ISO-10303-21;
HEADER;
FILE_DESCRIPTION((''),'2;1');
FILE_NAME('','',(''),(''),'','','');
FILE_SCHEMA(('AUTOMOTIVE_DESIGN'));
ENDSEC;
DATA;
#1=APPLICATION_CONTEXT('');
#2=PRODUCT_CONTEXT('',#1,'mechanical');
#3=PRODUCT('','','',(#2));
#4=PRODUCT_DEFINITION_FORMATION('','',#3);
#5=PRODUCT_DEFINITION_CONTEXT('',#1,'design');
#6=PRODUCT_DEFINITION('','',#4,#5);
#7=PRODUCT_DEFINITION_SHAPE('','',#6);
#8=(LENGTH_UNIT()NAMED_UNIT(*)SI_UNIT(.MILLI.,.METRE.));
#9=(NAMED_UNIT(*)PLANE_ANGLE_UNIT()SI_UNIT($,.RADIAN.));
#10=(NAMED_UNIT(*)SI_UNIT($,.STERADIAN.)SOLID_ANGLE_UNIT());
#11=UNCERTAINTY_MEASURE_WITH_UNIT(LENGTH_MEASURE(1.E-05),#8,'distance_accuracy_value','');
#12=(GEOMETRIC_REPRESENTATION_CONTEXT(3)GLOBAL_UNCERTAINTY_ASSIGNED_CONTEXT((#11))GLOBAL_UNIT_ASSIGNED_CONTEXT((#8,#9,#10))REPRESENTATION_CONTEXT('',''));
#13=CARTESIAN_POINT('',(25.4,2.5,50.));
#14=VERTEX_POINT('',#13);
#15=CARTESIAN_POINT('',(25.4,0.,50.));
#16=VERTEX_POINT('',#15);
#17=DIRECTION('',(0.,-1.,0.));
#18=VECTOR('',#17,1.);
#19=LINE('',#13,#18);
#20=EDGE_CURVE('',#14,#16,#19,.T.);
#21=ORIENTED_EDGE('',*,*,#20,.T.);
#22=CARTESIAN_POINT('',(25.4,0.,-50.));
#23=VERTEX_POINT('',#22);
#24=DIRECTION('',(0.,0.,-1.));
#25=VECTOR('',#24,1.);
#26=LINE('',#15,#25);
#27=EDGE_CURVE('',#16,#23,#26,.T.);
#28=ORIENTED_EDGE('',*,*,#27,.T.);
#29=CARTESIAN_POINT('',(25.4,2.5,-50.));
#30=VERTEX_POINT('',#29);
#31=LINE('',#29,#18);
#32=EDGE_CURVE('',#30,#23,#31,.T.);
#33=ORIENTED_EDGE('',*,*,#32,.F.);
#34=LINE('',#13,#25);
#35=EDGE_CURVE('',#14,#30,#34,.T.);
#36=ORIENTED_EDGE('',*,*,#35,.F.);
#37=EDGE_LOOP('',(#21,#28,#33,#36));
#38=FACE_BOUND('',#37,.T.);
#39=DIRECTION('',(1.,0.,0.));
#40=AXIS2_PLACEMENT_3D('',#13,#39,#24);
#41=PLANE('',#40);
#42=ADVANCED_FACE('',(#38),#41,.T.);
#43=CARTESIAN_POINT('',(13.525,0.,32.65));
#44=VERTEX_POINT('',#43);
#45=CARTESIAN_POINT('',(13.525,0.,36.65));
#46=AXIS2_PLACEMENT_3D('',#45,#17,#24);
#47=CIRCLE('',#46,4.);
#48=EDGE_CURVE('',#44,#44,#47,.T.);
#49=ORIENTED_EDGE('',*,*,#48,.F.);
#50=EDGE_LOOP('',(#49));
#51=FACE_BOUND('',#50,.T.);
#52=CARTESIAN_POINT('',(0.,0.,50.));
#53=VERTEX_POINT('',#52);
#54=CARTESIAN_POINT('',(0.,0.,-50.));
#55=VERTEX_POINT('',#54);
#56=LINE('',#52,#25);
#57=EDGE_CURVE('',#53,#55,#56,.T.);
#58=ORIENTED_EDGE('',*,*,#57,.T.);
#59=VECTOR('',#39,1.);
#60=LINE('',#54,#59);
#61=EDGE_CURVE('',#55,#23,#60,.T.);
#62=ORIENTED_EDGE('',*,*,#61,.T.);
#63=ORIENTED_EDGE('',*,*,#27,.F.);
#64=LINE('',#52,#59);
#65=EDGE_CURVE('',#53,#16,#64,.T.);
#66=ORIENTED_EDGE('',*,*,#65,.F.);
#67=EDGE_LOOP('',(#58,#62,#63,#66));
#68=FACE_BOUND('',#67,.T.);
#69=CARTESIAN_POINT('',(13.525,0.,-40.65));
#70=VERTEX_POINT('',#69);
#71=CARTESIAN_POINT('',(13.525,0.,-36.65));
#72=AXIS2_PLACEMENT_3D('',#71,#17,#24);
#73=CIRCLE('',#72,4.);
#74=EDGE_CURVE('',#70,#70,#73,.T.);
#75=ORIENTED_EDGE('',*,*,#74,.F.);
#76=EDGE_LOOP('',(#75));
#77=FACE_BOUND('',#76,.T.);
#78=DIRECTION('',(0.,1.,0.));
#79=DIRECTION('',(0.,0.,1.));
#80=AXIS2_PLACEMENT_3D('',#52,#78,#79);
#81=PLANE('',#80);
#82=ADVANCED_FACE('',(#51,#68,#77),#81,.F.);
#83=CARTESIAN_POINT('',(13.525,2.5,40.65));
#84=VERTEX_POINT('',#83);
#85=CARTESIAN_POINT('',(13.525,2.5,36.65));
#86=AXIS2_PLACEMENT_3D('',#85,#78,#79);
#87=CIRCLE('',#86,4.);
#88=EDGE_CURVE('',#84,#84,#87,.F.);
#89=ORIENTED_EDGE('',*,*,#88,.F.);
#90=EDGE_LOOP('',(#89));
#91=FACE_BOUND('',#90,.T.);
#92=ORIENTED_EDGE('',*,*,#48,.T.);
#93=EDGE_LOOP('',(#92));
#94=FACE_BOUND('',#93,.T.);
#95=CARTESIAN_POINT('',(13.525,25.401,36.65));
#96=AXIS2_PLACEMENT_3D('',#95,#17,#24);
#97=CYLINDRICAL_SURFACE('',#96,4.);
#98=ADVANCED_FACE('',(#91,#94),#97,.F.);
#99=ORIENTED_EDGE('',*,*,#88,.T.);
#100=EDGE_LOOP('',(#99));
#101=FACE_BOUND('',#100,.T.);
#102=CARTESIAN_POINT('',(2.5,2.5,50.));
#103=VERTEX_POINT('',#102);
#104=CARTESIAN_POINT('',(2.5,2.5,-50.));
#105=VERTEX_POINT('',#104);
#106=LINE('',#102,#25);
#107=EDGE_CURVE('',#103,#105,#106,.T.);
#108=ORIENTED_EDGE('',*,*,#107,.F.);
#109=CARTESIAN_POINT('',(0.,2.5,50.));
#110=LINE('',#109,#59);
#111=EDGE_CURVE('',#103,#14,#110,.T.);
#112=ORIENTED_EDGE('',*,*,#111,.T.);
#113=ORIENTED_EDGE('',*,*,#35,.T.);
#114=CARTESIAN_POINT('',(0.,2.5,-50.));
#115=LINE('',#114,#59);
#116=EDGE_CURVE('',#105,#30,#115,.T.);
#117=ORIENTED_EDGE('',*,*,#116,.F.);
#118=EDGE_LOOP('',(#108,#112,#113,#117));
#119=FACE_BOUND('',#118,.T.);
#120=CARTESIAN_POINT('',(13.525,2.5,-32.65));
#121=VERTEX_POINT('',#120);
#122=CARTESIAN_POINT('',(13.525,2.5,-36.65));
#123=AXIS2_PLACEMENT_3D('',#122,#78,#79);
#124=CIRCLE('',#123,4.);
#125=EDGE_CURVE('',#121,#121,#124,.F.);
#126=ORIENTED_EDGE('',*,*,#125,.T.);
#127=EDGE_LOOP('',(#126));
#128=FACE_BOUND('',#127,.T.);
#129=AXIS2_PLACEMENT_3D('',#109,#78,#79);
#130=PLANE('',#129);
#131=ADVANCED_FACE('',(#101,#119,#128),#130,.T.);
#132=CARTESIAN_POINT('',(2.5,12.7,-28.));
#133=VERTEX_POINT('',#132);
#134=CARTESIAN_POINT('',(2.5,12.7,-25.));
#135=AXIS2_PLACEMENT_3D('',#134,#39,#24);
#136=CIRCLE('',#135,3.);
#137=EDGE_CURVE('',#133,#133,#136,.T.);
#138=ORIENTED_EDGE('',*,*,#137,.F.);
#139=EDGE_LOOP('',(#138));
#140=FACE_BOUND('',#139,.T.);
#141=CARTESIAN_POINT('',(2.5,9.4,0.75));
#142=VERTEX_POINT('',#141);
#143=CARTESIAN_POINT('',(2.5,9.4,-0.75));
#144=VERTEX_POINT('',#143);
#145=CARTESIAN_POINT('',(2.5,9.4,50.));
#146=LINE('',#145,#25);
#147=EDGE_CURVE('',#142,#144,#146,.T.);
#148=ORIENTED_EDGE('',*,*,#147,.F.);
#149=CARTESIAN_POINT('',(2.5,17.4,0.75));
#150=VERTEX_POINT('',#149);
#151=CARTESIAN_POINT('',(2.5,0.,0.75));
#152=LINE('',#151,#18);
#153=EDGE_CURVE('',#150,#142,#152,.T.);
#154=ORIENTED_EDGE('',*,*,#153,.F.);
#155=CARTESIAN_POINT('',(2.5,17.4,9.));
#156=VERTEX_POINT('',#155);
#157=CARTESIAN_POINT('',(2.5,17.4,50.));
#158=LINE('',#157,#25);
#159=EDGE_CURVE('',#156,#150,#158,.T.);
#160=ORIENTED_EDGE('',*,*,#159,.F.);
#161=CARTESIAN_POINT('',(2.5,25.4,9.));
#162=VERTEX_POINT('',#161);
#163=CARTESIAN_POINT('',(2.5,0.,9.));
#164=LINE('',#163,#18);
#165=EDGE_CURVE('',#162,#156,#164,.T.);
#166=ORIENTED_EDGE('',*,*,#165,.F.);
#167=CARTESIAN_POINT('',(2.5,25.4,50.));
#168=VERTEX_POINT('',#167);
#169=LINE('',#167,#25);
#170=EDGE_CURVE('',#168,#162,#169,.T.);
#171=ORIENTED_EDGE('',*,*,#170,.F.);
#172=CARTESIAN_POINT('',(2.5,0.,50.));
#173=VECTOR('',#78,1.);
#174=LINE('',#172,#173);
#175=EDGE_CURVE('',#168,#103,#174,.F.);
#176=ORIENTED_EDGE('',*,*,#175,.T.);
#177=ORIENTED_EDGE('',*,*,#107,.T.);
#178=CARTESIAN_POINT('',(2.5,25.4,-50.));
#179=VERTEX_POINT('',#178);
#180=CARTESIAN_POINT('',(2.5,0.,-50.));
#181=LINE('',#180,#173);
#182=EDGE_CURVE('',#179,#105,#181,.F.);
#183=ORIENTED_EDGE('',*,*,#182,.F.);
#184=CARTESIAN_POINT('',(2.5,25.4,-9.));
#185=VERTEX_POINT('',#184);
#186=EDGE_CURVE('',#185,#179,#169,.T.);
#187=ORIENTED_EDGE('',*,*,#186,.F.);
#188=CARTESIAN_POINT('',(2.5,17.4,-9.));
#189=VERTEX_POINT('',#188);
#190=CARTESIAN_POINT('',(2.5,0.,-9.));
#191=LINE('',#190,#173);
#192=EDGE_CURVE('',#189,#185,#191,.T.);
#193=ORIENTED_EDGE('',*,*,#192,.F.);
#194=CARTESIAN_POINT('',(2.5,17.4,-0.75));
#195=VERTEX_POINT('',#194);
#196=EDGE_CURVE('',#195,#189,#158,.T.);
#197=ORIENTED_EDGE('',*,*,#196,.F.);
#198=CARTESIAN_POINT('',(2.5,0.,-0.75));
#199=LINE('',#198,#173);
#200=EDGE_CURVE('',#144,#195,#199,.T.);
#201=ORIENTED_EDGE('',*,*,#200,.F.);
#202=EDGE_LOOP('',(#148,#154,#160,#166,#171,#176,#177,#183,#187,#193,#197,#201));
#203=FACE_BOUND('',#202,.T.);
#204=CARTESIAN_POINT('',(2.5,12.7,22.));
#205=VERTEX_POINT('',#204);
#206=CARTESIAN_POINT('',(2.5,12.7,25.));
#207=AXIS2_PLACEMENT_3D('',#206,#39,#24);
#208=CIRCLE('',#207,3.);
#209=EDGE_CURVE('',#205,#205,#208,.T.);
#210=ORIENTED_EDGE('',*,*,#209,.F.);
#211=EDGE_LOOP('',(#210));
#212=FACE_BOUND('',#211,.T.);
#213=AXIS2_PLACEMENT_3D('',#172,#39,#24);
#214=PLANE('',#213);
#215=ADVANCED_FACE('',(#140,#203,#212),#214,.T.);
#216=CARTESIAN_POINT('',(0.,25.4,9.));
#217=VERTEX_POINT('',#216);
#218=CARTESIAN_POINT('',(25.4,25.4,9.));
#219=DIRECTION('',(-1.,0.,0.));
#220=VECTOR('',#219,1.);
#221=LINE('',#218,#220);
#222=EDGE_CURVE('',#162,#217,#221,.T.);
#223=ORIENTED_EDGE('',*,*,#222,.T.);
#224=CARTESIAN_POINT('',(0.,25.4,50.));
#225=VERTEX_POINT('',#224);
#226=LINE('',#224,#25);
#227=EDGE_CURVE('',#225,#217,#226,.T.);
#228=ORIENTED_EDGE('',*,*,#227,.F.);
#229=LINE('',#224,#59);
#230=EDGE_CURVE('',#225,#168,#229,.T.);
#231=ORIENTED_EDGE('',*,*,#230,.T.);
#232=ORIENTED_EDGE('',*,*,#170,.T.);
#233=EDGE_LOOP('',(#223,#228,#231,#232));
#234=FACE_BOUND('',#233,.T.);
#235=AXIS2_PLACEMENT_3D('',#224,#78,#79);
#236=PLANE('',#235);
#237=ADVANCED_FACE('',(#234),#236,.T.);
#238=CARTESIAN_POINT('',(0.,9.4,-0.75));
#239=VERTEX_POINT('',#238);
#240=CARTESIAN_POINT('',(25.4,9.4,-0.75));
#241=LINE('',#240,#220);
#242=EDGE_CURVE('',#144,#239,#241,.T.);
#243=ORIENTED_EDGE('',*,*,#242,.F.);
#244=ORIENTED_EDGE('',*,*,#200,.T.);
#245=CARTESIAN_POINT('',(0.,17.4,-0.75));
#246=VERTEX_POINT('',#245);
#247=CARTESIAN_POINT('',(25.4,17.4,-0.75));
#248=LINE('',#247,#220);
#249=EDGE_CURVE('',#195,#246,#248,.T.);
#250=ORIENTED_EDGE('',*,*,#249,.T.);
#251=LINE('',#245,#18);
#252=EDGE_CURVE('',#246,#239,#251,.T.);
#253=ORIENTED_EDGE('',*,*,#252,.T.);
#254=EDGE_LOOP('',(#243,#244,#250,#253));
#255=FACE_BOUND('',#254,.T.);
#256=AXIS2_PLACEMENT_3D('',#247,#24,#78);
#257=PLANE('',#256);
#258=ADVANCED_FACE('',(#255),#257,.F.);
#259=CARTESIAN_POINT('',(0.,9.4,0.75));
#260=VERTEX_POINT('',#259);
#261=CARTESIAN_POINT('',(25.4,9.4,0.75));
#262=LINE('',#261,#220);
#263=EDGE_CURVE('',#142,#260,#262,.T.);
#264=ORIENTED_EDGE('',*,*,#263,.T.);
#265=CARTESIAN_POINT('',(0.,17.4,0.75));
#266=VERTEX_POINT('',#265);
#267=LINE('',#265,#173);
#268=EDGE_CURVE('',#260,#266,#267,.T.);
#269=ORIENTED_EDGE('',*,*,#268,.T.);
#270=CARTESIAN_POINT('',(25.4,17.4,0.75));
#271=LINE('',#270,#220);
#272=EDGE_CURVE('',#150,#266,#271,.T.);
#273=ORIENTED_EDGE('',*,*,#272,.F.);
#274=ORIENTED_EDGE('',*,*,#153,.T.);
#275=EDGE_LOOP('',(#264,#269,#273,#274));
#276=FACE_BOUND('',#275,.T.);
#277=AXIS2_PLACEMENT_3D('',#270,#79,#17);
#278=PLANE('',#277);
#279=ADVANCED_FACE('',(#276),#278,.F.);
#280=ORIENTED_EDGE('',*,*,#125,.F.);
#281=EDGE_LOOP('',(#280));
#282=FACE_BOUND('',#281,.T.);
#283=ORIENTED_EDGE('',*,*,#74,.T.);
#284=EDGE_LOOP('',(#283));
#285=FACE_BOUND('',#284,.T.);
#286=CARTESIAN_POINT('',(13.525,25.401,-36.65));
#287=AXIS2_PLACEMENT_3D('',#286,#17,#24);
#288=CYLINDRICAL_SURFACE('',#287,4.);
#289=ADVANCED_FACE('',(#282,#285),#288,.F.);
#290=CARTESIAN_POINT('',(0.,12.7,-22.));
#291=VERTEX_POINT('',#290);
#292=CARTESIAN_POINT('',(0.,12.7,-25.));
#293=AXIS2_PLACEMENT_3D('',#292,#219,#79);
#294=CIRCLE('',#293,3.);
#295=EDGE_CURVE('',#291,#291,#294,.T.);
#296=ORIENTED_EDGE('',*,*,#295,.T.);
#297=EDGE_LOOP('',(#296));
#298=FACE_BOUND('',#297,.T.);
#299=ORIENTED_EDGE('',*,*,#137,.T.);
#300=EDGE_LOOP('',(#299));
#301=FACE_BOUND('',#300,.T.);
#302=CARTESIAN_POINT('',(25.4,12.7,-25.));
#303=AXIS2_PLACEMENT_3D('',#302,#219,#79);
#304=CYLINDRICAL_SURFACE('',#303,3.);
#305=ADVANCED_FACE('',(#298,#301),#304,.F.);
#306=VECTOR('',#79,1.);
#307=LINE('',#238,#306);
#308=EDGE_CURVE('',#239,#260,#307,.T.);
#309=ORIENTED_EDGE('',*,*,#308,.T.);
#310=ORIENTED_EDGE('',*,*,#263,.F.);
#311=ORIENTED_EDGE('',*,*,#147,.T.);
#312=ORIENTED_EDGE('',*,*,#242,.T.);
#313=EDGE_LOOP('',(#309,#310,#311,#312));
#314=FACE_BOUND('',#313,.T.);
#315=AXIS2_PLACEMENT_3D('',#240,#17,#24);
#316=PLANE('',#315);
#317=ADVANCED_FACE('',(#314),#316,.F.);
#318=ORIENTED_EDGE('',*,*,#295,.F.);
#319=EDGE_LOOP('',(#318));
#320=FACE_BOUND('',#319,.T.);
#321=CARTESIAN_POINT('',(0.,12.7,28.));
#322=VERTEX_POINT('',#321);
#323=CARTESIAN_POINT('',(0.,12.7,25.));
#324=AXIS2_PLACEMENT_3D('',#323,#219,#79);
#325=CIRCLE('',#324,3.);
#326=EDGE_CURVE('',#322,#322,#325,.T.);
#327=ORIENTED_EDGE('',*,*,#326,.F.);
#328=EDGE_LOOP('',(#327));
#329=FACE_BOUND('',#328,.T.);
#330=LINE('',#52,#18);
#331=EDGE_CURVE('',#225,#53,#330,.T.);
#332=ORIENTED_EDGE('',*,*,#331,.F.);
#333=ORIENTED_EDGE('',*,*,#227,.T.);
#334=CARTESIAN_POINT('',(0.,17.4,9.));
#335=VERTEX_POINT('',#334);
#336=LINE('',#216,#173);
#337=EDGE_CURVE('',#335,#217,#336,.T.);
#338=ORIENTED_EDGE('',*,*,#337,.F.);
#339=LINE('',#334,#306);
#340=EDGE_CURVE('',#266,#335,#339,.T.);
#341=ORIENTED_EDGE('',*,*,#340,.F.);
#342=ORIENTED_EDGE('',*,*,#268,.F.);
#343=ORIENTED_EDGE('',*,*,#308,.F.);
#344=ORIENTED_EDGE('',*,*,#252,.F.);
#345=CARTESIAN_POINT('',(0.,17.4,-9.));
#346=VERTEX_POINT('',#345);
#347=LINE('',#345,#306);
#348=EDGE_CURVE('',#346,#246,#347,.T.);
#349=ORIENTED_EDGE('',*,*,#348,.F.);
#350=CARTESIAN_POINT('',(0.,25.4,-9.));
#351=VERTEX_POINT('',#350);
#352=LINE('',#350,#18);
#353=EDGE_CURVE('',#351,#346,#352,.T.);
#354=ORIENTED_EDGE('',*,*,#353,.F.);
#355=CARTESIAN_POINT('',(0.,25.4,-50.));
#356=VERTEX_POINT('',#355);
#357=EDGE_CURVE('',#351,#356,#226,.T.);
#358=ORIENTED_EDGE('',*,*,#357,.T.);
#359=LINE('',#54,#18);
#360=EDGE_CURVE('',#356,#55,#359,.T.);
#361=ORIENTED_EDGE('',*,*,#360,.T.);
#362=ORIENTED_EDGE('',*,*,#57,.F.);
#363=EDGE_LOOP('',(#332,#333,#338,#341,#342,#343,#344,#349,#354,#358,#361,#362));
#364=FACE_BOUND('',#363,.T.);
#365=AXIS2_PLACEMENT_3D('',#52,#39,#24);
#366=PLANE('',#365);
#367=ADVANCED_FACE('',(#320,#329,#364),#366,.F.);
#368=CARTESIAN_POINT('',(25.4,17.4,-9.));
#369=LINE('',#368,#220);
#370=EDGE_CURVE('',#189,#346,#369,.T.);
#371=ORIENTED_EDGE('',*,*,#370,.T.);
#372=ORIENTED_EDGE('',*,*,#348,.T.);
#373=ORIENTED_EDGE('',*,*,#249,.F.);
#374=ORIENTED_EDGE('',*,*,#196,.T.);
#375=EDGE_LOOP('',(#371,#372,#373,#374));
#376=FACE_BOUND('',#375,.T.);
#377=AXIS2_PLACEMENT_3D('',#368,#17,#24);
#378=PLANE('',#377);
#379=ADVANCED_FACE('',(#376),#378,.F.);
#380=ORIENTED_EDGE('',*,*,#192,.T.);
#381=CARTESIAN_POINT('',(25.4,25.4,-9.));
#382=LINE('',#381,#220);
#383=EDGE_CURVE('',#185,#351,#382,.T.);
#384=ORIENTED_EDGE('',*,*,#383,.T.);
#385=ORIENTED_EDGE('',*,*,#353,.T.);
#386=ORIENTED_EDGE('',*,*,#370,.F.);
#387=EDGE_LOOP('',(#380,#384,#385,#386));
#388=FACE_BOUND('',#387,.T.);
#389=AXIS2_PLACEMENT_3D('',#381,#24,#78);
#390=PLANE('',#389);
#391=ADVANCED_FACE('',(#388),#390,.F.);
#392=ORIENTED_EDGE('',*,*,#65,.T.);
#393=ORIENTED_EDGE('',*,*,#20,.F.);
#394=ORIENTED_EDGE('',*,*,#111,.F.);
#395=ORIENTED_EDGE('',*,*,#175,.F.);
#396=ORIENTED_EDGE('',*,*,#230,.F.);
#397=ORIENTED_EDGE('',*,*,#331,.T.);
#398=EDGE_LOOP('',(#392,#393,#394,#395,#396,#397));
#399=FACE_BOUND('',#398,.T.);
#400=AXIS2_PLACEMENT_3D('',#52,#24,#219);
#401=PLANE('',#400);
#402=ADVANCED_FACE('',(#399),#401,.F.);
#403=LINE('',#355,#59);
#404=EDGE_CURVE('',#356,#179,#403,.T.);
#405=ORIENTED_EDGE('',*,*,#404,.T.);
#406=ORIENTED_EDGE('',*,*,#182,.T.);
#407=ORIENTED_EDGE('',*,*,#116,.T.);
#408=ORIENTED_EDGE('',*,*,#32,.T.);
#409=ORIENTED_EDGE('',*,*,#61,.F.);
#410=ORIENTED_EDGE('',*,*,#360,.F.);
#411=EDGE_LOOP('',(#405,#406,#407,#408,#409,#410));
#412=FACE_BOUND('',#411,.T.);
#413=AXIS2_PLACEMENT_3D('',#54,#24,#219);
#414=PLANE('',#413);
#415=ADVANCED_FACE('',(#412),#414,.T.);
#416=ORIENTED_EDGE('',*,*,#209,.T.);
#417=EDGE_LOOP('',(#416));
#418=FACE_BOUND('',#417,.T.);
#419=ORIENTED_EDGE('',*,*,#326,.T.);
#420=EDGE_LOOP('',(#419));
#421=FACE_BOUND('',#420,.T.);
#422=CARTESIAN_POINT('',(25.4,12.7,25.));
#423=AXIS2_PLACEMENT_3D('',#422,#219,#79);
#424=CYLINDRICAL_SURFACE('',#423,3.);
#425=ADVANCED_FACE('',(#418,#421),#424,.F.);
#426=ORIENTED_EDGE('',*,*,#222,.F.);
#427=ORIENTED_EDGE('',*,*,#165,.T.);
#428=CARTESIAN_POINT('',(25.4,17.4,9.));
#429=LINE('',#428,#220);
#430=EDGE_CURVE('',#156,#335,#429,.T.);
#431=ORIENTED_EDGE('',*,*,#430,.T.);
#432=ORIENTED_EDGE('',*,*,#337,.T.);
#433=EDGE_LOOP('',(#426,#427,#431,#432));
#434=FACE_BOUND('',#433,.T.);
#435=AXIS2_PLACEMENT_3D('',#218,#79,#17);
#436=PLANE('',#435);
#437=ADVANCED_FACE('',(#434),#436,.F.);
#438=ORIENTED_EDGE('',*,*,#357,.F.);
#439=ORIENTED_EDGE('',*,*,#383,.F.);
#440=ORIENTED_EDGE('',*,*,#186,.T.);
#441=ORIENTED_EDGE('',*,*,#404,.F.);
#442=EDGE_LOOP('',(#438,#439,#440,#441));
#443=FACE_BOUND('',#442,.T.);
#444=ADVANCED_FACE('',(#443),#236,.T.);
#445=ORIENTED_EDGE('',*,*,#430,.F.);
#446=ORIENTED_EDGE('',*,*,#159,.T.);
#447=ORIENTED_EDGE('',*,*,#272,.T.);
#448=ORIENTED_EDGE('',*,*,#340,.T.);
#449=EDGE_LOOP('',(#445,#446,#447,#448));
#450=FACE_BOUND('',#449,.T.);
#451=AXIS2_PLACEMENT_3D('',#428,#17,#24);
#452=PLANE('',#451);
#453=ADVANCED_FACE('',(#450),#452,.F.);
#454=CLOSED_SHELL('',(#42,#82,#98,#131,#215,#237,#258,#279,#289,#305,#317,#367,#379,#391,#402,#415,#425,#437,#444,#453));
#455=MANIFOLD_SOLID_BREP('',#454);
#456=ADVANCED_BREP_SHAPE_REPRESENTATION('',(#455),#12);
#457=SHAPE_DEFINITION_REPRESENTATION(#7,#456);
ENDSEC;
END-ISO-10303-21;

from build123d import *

# Parameters (mm, degrees)
EXTRUDE_THIN1_DEPTH = 50
SKETCH7_R           = 3
CUT_EXTRUDE5_DEPTH  = 62.565574796
CUT_EXTRUDE4_REACH  = 63.566
SKETCH6_R           = 4


with BuildPart() as part:
    # Sketch1 → Extrude-Thin1 (new, symmetric)
    with BuildSketch(Plane.XY):
        Polygon((25.4, 0), (0, 0), (0, 25.4), (2.5, 25.4), (2.5, 2.5), (25.4, 2.5), align=None)
    extrude(amount=EXTRUDE_THIN1_DEPTH, both=True)

    # Sketch7 → Cut-Extrude5 (cut, through all)
    with BuildSketch(Plane.ZY):
        with Locations((-25, 12.7)):
            Circle(SKETCH7_R)
        with Locations((25, 12.7)):
            Circle(SKETCH7_R)
        Polygon((-9, 25.4), (-9, 17.4), (-0.75, 17.4), (-0.75, 9.4), (0.75, 9.4), (0.75, 17.4), (9, 17.4), (9, 25.4), align=None)
    extrude(amount=-CUT_EXTRUDE5_DEPTH, mode=Mode.SUBTRACT)

    # Sketch6 → Cut-Extrude4 (cut, up to next)
    with BuildSketch(Plane.XZ, mode=Mode.PRIVATE) as cut_extrude4_sk1:
        with Locations(Location((13.525, 36.65, 0), (0, 0, 270))):
            Circle(SKETCH6_R)
    cut_extrude4_tool1 = extrude(cut_extrude4_sk1.sketch, amount=-CUT_EXTRUDE4_REACH, mode=Mode.PRIVATE) & part.part
    # Sketch6 → Cut-Extrude4 (cut, up to next)
    with BuildSketch(Plane.XZ, mode=Mode.PRIVATE) as cut_extrude4_sk2:
        with Locations(Location((13.525, -36.65, 0), (0, 0, 270))):
            Circle(SKETCH6_R)
    cut_extrude4_tool2 = extrude(cut_extrude4_sk2.sketch, amount=-CUT_EXTRUDE4_REACH, mode=Mode.PRIVATE) & part.part
    add(cut_extrude4_tool1.solids().sort_by_distance((13.525, 0, 36.65))[0], mode=Mode.SUBTRACT)
    add(cut_extrude4_tool2.solids().sort_by_distance((13.525, 0, -36.65))[0], mode=Mode.SUBTRACT)


solid = part.part
